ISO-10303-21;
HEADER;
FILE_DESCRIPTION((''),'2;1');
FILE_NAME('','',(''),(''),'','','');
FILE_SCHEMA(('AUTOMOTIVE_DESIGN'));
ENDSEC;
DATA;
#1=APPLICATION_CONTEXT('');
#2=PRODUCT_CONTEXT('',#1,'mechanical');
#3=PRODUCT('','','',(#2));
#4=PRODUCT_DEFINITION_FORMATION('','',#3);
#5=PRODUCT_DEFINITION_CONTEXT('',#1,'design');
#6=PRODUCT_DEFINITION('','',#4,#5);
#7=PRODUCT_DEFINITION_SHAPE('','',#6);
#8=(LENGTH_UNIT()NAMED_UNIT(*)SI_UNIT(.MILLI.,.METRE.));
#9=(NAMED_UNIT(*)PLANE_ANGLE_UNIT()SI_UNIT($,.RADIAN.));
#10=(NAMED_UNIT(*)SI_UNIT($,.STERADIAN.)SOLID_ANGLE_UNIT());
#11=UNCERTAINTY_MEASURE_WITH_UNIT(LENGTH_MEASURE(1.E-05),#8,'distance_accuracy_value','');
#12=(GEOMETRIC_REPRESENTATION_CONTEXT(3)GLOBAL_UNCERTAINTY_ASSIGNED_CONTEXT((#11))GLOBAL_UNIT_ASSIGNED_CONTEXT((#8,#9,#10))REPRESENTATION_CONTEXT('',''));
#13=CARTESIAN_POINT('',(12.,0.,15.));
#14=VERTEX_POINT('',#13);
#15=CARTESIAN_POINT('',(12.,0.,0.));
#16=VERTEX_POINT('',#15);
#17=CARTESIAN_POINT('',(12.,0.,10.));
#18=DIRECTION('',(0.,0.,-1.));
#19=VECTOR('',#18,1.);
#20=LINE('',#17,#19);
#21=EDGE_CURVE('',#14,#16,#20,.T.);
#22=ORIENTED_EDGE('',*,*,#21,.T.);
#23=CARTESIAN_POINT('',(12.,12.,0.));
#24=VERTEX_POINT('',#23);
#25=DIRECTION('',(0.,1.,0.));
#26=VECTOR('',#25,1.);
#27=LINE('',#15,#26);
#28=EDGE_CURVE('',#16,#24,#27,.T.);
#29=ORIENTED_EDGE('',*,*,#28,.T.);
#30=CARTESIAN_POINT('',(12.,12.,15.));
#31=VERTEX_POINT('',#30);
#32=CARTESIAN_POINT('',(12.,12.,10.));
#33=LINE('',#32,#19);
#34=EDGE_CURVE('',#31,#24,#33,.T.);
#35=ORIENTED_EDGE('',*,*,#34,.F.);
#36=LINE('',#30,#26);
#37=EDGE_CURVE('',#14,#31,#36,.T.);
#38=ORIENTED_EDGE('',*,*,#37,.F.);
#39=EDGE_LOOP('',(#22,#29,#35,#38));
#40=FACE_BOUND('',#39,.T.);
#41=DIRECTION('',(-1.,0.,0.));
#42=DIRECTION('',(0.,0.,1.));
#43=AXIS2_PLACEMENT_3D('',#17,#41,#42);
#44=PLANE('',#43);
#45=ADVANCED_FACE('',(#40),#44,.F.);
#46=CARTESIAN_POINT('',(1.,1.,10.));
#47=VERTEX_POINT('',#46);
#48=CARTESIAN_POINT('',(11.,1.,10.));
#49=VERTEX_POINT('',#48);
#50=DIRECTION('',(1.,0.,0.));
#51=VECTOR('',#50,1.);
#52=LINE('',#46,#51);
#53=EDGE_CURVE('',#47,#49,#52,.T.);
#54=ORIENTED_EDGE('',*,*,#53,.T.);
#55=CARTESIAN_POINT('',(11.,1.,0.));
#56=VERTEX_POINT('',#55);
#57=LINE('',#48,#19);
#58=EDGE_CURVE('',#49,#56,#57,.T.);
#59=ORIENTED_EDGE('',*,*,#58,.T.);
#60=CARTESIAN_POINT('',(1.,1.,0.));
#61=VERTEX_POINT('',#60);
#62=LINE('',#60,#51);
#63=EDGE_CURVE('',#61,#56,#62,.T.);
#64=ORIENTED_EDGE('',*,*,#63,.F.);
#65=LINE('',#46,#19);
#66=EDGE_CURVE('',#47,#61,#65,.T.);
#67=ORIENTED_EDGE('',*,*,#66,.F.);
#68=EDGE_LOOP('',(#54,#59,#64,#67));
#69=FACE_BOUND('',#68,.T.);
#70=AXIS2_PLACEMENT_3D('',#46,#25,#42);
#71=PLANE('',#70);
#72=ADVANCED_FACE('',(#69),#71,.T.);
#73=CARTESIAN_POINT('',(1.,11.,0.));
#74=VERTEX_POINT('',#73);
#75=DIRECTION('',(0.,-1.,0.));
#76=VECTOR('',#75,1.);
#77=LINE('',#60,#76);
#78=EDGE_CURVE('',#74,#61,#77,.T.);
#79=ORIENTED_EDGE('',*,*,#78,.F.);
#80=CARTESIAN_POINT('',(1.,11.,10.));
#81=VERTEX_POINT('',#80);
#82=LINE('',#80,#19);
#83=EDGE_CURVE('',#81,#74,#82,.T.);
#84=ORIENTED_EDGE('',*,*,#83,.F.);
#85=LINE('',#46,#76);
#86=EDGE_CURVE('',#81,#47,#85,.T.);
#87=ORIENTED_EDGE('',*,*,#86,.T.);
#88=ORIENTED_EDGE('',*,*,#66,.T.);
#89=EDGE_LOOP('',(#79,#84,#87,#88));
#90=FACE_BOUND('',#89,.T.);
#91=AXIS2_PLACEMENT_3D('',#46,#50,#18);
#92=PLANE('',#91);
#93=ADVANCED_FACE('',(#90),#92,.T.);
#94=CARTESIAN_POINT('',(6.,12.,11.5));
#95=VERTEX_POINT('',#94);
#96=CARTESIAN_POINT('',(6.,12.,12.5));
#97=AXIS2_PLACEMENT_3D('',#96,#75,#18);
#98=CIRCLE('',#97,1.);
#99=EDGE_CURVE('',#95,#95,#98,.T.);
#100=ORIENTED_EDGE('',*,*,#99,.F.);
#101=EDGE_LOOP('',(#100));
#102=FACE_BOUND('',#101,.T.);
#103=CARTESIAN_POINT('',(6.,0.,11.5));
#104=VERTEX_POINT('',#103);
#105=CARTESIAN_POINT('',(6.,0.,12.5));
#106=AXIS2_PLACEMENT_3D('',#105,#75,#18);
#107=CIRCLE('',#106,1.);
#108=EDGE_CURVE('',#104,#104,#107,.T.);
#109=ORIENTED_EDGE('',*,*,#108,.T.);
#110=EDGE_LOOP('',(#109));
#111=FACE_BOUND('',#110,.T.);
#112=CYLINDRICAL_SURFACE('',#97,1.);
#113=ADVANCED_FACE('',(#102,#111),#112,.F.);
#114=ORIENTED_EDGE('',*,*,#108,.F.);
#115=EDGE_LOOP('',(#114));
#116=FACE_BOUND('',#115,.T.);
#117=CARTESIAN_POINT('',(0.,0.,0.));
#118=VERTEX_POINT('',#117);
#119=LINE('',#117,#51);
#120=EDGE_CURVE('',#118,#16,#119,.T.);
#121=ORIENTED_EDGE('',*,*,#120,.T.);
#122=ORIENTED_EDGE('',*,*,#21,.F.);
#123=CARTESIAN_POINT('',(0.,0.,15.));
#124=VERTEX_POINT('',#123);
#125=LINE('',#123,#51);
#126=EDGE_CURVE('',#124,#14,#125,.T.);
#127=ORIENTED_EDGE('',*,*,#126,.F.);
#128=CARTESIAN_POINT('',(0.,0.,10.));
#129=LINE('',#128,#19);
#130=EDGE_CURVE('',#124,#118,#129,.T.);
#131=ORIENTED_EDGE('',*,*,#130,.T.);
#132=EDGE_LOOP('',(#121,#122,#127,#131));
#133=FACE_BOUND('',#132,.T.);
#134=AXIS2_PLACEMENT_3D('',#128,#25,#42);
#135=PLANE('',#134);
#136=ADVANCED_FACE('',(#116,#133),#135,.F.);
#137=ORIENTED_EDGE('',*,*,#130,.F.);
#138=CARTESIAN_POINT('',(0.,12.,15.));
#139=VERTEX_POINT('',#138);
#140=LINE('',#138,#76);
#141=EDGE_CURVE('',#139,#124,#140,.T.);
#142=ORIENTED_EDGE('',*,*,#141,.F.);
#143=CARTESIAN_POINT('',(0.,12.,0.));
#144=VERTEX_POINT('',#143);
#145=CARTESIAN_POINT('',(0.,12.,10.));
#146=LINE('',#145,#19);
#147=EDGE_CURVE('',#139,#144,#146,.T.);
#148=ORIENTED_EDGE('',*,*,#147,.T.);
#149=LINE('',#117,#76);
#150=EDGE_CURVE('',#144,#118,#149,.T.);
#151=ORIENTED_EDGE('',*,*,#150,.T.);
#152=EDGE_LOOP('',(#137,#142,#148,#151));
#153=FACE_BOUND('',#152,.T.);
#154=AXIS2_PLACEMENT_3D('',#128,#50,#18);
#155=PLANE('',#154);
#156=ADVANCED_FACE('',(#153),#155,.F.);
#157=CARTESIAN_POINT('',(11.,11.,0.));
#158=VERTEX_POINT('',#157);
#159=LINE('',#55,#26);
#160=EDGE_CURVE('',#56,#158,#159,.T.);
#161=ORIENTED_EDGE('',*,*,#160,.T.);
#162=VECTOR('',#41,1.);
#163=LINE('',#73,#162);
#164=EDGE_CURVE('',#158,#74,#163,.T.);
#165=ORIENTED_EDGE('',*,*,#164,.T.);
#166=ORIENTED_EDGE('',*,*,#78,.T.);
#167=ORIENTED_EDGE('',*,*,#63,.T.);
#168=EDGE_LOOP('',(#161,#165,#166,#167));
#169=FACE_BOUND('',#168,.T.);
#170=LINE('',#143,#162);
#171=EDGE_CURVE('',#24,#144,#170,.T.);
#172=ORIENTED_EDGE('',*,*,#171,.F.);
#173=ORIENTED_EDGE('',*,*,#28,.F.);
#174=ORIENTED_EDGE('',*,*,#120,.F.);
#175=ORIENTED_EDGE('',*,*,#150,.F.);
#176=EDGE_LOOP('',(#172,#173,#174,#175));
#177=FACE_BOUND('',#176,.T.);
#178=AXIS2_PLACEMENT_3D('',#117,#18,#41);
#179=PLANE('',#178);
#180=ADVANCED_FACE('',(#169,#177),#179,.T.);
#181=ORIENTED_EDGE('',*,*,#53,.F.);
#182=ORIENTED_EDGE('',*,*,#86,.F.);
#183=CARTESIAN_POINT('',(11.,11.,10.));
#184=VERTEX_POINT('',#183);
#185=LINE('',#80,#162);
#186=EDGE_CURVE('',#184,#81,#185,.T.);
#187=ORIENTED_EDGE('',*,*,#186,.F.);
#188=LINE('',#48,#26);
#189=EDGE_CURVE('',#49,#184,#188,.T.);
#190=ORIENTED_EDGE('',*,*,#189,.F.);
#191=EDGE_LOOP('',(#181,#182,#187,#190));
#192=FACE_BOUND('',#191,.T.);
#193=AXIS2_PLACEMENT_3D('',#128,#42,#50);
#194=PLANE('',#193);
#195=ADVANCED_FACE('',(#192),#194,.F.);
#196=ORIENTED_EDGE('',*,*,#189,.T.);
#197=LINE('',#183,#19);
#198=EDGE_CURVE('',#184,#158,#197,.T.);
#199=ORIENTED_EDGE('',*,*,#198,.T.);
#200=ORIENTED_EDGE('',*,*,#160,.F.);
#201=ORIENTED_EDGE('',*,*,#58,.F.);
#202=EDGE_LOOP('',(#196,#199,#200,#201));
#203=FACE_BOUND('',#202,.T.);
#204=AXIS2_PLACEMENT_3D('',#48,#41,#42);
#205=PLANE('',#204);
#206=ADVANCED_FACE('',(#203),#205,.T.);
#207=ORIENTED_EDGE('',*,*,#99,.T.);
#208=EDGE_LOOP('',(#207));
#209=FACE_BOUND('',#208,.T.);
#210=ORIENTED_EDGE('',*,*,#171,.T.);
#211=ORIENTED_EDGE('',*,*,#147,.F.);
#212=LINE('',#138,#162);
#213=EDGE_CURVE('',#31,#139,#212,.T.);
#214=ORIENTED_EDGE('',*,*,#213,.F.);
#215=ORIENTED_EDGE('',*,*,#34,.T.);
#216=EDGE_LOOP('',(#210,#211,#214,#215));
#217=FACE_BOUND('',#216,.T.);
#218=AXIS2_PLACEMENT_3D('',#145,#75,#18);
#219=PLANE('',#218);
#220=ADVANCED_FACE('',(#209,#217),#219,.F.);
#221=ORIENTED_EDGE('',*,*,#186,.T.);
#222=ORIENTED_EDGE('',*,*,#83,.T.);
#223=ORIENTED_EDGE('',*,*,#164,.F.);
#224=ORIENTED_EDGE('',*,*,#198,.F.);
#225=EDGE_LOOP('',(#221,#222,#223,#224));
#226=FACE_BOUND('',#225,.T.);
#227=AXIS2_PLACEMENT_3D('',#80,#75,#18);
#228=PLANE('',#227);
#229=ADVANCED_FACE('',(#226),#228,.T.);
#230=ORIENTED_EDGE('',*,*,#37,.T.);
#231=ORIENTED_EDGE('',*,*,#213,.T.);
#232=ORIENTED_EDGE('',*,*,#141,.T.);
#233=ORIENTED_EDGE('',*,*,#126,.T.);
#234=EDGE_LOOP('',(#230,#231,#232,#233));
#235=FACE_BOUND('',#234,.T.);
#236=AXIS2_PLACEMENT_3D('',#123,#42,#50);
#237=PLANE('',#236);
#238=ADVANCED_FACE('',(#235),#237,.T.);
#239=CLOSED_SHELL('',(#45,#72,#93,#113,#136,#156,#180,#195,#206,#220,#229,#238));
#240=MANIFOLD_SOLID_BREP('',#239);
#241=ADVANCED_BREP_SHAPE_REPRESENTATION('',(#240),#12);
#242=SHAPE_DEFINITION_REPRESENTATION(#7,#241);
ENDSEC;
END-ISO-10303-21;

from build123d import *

# Parameters (mm, degrees)
SKETCH_1_W          = 12
SKETCH_1_H          = 12
SKETCH_1_W_2        = 10
SKETCH_1_H_2        = 10
EXTRUDE_1_DEPTH     = 10
SKETCH_2_W          = 12
SKETCH_2_H          = 12
EXTRUDE_2_DEPTH     = 5
SKETCH_3_R          = 1
CUT_EXTRUDE_3_DEPTH = 12


with BuildPart() as part:
    # 草图1 → 凸台-拉伸1 (new body)
    with BuildSketch(Plane.XY):
        with Locations((6, 6)):
            Rectangle(SKETCH_1_W, SKETCH_1_H)
        with Locations((6, 6)):
            Rectangle(SKETCH_1_W_2, SKETCH_1_H_2, mode=Mode.SUBTRACT)
    extrude(amount=EXTRUDE_1_DEPTH)

    # 草图2 → 凸台-拉伸2 (add)
    with BuildSketch(Plane.XY.offset(10)):
        with Locations((6, 6)):
            Rectangle(SKETCH_2_W, SKETCH_2_H)
    extrude(amount=EXTRUDE_2_DEPTH)

    # 草图3 → 切除-拉伸3 (cut)
    with BuildSketch(Plane(origin=(0, 0, 0), x_dir=(-1, 0, 0), z_dir=(0, -1, 0))):
        with Locations(Location((-6, -12.5, 0), (0, 0, 90))):
            Circle(SKETCH_3_R)
    extrude(amount=-CUT_EXTRUDE_3_DEPTH, mode=Mode.SUBTRACT)


solid = part.part
